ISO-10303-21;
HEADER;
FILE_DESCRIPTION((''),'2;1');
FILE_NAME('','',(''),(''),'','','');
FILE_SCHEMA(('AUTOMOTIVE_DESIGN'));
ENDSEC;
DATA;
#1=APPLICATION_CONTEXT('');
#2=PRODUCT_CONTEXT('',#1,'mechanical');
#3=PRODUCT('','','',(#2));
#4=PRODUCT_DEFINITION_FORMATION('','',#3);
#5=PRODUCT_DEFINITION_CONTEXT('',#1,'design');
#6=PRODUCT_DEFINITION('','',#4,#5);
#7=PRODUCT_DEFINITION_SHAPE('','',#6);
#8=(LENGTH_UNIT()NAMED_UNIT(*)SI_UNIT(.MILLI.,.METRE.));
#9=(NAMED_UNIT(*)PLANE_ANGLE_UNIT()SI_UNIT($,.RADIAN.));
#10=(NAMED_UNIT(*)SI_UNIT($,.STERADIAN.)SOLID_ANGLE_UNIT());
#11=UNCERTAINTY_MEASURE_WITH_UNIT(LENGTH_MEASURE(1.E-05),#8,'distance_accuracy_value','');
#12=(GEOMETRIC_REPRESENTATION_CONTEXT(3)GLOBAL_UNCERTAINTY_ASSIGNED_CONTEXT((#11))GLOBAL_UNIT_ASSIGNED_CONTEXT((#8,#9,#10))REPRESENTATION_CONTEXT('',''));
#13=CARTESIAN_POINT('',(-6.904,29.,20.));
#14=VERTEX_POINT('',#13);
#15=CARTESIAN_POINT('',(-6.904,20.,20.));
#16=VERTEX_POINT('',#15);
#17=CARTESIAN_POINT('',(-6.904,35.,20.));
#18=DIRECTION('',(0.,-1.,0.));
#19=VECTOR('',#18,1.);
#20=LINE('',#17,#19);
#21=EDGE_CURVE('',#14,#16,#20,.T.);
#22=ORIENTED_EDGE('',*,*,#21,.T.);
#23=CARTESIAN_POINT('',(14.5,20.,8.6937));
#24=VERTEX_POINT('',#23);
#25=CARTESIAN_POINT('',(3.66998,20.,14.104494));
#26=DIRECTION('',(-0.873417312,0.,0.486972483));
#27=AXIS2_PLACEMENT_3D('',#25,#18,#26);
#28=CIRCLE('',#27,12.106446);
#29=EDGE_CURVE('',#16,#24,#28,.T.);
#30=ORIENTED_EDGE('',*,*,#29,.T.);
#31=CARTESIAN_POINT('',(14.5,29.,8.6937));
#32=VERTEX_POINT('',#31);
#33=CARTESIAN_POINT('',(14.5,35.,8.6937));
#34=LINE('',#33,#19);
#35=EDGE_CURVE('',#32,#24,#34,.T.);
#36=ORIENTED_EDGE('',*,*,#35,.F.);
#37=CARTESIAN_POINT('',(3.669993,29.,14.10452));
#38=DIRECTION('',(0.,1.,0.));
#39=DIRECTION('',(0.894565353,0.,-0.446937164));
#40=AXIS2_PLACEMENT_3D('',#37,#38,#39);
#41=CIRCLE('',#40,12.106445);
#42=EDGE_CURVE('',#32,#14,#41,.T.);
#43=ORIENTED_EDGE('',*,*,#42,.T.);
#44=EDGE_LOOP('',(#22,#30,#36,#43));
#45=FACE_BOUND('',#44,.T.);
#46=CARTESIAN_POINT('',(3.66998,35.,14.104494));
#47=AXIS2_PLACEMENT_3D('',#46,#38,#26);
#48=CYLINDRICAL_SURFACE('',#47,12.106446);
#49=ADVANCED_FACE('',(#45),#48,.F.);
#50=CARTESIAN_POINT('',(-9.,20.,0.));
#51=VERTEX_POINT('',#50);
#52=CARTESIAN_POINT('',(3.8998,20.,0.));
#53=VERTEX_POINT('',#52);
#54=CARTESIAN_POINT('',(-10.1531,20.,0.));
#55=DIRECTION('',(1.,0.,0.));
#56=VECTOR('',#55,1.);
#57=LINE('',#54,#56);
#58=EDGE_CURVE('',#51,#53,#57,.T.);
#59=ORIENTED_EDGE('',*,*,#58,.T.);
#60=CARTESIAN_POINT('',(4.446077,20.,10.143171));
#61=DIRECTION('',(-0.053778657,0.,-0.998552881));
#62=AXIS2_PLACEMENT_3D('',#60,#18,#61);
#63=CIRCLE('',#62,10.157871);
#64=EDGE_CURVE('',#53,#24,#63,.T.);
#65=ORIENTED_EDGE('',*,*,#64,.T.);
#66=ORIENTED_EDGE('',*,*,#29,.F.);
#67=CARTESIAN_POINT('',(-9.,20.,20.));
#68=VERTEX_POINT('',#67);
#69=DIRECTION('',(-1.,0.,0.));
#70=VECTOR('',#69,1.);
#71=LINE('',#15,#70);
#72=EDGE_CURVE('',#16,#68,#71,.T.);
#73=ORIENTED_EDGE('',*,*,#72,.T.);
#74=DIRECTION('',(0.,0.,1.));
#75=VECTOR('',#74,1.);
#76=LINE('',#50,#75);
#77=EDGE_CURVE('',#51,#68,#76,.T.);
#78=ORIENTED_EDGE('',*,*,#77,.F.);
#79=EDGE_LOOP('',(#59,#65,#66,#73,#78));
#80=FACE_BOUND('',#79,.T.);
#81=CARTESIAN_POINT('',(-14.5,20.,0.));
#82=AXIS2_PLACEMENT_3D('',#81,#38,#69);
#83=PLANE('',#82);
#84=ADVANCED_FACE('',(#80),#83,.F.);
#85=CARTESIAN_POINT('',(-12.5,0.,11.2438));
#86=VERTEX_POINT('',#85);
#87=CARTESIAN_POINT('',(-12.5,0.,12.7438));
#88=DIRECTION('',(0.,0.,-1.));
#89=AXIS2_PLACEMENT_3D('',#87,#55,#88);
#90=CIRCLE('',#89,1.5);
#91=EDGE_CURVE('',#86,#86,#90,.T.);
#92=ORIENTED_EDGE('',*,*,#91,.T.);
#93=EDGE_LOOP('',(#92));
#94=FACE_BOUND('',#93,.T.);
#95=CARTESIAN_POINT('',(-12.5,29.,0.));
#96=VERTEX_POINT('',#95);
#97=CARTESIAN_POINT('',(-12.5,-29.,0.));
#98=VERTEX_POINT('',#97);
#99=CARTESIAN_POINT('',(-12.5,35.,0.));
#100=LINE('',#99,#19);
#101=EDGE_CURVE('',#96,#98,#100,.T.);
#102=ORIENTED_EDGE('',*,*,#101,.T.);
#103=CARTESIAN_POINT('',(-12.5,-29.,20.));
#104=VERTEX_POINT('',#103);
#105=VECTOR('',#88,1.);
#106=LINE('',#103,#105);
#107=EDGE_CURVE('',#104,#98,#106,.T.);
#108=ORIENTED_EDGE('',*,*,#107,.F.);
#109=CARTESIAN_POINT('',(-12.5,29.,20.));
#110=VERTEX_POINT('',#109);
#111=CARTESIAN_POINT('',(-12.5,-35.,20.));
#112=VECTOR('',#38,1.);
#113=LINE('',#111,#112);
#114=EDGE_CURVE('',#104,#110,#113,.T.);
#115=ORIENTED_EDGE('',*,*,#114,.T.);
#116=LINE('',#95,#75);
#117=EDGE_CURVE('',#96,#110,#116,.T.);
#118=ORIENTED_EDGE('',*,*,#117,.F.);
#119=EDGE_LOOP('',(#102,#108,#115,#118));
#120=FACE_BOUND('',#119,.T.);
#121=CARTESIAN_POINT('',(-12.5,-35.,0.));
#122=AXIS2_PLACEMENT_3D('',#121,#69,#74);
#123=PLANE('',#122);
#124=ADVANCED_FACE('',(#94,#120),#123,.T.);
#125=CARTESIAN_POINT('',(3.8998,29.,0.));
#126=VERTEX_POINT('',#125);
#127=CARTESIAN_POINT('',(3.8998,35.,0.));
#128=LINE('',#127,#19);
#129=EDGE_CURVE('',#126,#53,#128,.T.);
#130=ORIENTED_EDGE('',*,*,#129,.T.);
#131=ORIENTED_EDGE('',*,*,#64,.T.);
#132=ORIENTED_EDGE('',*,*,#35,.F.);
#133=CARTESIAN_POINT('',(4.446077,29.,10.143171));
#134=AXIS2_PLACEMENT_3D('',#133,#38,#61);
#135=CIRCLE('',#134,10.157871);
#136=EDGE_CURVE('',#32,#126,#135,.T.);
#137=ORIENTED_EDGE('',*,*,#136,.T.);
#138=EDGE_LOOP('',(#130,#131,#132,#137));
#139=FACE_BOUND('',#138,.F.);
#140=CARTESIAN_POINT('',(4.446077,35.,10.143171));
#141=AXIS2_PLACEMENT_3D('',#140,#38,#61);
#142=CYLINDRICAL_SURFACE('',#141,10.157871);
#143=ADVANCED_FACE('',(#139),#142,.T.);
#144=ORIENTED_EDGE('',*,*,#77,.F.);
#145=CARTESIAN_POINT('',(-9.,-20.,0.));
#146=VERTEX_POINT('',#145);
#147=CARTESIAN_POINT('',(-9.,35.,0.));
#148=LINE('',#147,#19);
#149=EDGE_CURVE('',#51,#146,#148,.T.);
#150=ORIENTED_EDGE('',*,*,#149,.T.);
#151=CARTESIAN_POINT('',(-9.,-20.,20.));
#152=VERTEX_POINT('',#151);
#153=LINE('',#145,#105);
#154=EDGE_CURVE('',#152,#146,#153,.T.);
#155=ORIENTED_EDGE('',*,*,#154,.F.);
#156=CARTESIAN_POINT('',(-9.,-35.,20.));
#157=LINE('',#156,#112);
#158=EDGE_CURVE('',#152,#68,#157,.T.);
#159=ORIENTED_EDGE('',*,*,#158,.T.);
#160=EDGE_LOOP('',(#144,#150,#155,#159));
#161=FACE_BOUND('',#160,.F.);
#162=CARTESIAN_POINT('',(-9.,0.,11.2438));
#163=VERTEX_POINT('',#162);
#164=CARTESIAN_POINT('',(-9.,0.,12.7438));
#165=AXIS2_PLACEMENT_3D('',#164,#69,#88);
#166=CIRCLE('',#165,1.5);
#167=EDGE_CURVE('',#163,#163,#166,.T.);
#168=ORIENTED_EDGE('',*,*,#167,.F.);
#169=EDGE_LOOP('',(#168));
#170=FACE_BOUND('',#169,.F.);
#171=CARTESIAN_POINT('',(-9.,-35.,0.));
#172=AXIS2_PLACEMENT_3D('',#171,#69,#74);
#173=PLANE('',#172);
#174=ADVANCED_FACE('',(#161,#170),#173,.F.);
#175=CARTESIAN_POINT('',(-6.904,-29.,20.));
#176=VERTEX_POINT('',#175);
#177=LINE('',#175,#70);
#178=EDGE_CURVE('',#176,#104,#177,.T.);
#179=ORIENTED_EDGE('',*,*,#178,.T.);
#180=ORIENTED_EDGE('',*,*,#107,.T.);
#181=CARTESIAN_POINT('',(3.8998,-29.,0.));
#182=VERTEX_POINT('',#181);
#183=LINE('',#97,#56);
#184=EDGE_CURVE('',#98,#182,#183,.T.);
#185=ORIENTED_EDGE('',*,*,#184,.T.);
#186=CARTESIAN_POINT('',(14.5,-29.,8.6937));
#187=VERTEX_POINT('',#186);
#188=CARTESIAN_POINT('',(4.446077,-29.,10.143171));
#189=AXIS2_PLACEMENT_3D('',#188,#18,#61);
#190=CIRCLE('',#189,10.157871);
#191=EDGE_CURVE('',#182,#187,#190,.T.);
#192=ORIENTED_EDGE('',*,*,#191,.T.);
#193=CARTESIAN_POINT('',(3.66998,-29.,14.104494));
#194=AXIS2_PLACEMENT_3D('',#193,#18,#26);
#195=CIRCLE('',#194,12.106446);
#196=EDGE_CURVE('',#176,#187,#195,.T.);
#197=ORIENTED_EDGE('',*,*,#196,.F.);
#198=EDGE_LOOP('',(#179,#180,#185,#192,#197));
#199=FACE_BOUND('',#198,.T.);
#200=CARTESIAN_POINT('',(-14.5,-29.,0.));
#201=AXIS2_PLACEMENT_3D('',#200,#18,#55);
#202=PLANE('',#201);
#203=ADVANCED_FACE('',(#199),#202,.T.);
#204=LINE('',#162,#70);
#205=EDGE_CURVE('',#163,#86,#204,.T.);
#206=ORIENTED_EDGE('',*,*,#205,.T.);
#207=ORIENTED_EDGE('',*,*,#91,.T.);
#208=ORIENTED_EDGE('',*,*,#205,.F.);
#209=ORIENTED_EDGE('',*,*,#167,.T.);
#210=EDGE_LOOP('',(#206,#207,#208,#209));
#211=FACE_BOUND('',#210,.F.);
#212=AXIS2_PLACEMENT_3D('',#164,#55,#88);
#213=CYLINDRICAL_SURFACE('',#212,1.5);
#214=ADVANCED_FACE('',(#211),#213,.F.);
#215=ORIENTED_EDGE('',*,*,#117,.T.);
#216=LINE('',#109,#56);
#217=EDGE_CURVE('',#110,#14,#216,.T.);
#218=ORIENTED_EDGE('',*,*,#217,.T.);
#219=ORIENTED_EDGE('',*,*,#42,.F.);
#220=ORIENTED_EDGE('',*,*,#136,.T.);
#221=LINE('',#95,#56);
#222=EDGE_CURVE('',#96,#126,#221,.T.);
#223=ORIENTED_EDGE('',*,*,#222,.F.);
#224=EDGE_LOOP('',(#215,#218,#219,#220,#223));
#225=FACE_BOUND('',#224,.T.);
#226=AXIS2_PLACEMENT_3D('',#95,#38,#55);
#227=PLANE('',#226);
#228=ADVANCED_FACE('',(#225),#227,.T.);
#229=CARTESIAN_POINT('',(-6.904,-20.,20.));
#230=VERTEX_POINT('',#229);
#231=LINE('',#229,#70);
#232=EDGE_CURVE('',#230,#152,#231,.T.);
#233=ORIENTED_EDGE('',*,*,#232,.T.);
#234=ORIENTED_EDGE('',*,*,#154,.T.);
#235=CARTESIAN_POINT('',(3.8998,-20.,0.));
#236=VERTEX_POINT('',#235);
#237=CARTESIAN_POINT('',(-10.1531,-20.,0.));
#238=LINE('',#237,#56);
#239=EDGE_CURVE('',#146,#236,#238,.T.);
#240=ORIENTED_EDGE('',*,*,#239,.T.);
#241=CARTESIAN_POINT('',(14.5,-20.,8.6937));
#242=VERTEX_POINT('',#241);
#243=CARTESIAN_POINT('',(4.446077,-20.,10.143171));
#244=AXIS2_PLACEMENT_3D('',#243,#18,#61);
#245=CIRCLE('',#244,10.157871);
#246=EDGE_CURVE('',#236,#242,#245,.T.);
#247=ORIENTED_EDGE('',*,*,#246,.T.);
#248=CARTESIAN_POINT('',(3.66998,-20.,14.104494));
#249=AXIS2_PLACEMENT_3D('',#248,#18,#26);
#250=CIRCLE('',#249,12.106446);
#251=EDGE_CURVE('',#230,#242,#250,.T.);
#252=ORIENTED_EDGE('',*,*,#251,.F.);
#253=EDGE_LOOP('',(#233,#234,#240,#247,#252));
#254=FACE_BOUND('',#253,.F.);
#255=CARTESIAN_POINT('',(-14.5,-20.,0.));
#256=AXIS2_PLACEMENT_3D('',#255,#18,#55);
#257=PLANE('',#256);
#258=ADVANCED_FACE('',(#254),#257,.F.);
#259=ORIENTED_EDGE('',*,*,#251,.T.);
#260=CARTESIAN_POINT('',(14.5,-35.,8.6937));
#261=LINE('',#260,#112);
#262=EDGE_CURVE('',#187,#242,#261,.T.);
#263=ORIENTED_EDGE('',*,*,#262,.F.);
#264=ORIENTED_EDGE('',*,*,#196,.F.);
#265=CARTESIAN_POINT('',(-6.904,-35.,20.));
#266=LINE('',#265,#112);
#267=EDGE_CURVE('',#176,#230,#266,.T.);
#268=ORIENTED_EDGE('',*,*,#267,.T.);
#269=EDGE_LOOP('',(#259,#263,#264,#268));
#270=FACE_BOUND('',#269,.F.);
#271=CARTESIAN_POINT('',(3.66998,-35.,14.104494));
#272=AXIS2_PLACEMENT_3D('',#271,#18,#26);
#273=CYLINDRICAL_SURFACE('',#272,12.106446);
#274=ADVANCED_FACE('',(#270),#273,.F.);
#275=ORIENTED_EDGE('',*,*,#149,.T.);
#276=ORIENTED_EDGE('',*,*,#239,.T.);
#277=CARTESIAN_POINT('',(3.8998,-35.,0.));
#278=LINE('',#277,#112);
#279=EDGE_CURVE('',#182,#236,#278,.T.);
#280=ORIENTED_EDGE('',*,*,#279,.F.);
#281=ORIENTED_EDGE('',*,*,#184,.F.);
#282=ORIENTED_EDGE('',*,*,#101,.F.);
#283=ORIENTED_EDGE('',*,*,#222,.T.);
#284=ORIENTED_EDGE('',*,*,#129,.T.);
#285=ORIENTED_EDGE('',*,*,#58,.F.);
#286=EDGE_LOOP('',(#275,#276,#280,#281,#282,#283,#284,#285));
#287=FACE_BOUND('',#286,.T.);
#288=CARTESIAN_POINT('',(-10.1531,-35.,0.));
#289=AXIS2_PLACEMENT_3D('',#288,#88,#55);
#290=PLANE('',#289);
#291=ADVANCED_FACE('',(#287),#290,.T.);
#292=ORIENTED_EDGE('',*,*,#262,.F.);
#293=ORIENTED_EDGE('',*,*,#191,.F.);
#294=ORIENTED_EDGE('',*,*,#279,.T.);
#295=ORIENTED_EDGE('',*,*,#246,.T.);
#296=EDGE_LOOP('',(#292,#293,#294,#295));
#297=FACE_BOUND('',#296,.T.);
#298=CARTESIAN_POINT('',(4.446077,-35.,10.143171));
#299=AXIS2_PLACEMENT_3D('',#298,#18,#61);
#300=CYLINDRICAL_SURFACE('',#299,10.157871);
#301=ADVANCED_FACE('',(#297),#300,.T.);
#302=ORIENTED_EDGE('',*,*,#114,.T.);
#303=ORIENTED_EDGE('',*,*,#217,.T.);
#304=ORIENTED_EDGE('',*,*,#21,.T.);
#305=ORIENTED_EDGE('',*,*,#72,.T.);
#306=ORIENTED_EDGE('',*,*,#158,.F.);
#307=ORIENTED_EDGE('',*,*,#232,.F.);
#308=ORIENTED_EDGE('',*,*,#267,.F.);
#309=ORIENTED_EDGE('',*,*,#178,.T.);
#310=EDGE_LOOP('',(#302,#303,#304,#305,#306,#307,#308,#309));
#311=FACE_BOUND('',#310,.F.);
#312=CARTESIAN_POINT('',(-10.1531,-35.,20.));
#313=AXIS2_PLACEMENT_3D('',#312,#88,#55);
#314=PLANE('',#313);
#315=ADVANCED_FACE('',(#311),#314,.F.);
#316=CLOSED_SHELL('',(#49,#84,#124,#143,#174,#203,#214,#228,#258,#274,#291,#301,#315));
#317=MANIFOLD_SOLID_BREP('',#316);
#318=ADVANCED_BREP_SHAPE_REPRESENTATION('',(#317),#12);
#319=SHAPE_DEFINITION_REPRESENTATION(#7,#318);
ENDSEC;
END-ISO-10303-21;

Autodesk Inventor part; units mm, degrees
ref_plane "YZ Plane" through (0, 0, 0) normal (1, 0, 0) x (0, 1, 0)
ref_plane "Work Plane1" through (-14.5, -35, 0) normal (0, -1, 0) x (1, 0, 0)
sketch "Sketch2" plane through (-14.5, -35, 0) normal (0, -1, 0) x (1, 0, 0)
  line L0 (4.3469, 0) -> (4.3469, 20)
  line L1 (7.596, 20) -> (7.4184, 20) projected
  line L2 (4.3469, 20) -> (7.596, 20)
  arc A0 (7.596, 20) -> (29, 8.6937) centre (18.17, 14.1045) ccw
  line L3 (4.3469, 0) -> (18.3998, 0)
  arc A1 (18.3998, 0) -> (29, 8.6937) centre (18.9461, 10.1431) ccw
  point P0 (14.5, 0)
  point P1 (5, 0)
  point P2 (18.2531, 1.9984)
extrude "Extrusion1" add sketch "Sketch2" against normal blind 15
ref_plane "Work Plane4" through (-14.5, -35, 0) normal (-1, 0, 0) x (0, 0, 1)
sketch "Sketch3" plane through (-14.5, -35, 0) normal (-1, 0, 0) x (0, 0, 1)
  line L0 (20, 0) -> (20, 70) projected
  line L1 (0, 0) -> (0, 21) projected
  line L2 (20, 70) -> (0, 70)
  line L3 (0, 70) -> (0, 0)
  line L4 (0, 0) -> (20, 0)
  line L5 (20, 0) -> (20, 70)
  point P0 (0, 35)
extrude "Extrusion2" add sketch "Sketch3" against normal blind 5.5
mirror "Mirror3" about plane through (0, 0, 0) normal (0, 1, 0) of "Extrusion1"
sketch "Sketch4" plane through (-9, -35, 0) normal (1, 0, 0) x (0, 0, -1)
  line L0 (-20, 15) -> (-1.9981, 15) projected
  line L1 (-12.7438, 15) -> (-12.7438, 55)
  line L2 (0, 55) -> (-20, 55) projected
  line L3 (-12.7438, 35) -> (-17.7089, 35)
  circle A0 centre (-12.7438, 35) radius 1.5
  point P0 (0, 35)
  point P1 (-8.6937, 15)
  dimension "d4" = 3
extrude "Extrusion3" cut sketch "Sketch4" against normal blind 10.375
sketch "Sketch5" plane through (-14.5, -35, 0) normal (-1, 0, 0) x (0, 0, 1)
  line L0 (20, 70) -> (0, 70) projected
  line L1 (0, 0) -> (20, 0) projected
  line L2 (20, 70) -> (0, 70)
  line L3 (0, 70) -> (0, 0)
  line L4 (0, 0) -> (20, 0)
  line L5 (20, 0) -> (20, 70)
  point P0 (0, 35)
extrude "Extrusion4" cut sketch "Sketch5" against normal blind 2
sketch "Sketch7" plane through (-14.5, -35, 0) normal (0, -1, 0) x (1, 0, 0)
  line L0 (7.596, 20) -> (2, 20) projected
  line L1 (2, 20) -> (2, 0) projected
  line L2 (2, 20) -> (2, 0)
  arc A0 (18.3998, 0) -> (29, 8.6937) centre (18.9461, 10.1431) ccw projected
  line L3 (5.5, 20) -> (7.596, 20) projected
  arc A1 (7.596, 20) -> (29, 8.6937) centre (18.17, 14.1045) ccw
  arc A2 (7.596, 20) -> (29, 8.6937) centre (18.17, 14.1045) ccw projected
  arc A3 (19.4924, 0) -> (29, 8.6937) centre (18.9461, 10.1431) ccw
  line L4 (2, 20) -> (7.596, 20)
  line L5 (2, 0) -> (18.3998, 0) projected
  line L6 (2, 0) -> (18.3998, 0)
  point P0 (14.5, 0)
extrude "Extrusion5" cut sketch "Sketch7" against normal blind 6
sketch "Sketch8" plane through (-12.5, 35, 0) normal (0, 1, 0) x (1, 0, 0)
  line L0 (3.5, -20) -> (5.596, -20) projected
  line L1 (0, 0) -> (0, -20) projected
  line L2 (5.596, -20) -> (0, -20)
  line L3 (0, -20) -> (0, 0)
  arc A0 (27, -8.6937) -> (16.3998, 0) centre (16.9461, -10.1431) ccw projected
  line L4 (0, 0) -> (16.3998, 0)
  arc A1 (27, -8.6937) -> (5.596, -20) centre (16.17, -14.1045) ccw projected
  arc A2 (27, -8.6937) -> (5.596, -20) centre (16.17, -14.1045) ccw
  arc A3 (27, -8.6937) -> (16.3998, 0) centre (16.9461, -10.1431) ccw
  point P0 (12.5, 0)
extrude "Extrusion6" cut sketch "Sketch8" against normal blind 6
properties part number "Speed Champ"
